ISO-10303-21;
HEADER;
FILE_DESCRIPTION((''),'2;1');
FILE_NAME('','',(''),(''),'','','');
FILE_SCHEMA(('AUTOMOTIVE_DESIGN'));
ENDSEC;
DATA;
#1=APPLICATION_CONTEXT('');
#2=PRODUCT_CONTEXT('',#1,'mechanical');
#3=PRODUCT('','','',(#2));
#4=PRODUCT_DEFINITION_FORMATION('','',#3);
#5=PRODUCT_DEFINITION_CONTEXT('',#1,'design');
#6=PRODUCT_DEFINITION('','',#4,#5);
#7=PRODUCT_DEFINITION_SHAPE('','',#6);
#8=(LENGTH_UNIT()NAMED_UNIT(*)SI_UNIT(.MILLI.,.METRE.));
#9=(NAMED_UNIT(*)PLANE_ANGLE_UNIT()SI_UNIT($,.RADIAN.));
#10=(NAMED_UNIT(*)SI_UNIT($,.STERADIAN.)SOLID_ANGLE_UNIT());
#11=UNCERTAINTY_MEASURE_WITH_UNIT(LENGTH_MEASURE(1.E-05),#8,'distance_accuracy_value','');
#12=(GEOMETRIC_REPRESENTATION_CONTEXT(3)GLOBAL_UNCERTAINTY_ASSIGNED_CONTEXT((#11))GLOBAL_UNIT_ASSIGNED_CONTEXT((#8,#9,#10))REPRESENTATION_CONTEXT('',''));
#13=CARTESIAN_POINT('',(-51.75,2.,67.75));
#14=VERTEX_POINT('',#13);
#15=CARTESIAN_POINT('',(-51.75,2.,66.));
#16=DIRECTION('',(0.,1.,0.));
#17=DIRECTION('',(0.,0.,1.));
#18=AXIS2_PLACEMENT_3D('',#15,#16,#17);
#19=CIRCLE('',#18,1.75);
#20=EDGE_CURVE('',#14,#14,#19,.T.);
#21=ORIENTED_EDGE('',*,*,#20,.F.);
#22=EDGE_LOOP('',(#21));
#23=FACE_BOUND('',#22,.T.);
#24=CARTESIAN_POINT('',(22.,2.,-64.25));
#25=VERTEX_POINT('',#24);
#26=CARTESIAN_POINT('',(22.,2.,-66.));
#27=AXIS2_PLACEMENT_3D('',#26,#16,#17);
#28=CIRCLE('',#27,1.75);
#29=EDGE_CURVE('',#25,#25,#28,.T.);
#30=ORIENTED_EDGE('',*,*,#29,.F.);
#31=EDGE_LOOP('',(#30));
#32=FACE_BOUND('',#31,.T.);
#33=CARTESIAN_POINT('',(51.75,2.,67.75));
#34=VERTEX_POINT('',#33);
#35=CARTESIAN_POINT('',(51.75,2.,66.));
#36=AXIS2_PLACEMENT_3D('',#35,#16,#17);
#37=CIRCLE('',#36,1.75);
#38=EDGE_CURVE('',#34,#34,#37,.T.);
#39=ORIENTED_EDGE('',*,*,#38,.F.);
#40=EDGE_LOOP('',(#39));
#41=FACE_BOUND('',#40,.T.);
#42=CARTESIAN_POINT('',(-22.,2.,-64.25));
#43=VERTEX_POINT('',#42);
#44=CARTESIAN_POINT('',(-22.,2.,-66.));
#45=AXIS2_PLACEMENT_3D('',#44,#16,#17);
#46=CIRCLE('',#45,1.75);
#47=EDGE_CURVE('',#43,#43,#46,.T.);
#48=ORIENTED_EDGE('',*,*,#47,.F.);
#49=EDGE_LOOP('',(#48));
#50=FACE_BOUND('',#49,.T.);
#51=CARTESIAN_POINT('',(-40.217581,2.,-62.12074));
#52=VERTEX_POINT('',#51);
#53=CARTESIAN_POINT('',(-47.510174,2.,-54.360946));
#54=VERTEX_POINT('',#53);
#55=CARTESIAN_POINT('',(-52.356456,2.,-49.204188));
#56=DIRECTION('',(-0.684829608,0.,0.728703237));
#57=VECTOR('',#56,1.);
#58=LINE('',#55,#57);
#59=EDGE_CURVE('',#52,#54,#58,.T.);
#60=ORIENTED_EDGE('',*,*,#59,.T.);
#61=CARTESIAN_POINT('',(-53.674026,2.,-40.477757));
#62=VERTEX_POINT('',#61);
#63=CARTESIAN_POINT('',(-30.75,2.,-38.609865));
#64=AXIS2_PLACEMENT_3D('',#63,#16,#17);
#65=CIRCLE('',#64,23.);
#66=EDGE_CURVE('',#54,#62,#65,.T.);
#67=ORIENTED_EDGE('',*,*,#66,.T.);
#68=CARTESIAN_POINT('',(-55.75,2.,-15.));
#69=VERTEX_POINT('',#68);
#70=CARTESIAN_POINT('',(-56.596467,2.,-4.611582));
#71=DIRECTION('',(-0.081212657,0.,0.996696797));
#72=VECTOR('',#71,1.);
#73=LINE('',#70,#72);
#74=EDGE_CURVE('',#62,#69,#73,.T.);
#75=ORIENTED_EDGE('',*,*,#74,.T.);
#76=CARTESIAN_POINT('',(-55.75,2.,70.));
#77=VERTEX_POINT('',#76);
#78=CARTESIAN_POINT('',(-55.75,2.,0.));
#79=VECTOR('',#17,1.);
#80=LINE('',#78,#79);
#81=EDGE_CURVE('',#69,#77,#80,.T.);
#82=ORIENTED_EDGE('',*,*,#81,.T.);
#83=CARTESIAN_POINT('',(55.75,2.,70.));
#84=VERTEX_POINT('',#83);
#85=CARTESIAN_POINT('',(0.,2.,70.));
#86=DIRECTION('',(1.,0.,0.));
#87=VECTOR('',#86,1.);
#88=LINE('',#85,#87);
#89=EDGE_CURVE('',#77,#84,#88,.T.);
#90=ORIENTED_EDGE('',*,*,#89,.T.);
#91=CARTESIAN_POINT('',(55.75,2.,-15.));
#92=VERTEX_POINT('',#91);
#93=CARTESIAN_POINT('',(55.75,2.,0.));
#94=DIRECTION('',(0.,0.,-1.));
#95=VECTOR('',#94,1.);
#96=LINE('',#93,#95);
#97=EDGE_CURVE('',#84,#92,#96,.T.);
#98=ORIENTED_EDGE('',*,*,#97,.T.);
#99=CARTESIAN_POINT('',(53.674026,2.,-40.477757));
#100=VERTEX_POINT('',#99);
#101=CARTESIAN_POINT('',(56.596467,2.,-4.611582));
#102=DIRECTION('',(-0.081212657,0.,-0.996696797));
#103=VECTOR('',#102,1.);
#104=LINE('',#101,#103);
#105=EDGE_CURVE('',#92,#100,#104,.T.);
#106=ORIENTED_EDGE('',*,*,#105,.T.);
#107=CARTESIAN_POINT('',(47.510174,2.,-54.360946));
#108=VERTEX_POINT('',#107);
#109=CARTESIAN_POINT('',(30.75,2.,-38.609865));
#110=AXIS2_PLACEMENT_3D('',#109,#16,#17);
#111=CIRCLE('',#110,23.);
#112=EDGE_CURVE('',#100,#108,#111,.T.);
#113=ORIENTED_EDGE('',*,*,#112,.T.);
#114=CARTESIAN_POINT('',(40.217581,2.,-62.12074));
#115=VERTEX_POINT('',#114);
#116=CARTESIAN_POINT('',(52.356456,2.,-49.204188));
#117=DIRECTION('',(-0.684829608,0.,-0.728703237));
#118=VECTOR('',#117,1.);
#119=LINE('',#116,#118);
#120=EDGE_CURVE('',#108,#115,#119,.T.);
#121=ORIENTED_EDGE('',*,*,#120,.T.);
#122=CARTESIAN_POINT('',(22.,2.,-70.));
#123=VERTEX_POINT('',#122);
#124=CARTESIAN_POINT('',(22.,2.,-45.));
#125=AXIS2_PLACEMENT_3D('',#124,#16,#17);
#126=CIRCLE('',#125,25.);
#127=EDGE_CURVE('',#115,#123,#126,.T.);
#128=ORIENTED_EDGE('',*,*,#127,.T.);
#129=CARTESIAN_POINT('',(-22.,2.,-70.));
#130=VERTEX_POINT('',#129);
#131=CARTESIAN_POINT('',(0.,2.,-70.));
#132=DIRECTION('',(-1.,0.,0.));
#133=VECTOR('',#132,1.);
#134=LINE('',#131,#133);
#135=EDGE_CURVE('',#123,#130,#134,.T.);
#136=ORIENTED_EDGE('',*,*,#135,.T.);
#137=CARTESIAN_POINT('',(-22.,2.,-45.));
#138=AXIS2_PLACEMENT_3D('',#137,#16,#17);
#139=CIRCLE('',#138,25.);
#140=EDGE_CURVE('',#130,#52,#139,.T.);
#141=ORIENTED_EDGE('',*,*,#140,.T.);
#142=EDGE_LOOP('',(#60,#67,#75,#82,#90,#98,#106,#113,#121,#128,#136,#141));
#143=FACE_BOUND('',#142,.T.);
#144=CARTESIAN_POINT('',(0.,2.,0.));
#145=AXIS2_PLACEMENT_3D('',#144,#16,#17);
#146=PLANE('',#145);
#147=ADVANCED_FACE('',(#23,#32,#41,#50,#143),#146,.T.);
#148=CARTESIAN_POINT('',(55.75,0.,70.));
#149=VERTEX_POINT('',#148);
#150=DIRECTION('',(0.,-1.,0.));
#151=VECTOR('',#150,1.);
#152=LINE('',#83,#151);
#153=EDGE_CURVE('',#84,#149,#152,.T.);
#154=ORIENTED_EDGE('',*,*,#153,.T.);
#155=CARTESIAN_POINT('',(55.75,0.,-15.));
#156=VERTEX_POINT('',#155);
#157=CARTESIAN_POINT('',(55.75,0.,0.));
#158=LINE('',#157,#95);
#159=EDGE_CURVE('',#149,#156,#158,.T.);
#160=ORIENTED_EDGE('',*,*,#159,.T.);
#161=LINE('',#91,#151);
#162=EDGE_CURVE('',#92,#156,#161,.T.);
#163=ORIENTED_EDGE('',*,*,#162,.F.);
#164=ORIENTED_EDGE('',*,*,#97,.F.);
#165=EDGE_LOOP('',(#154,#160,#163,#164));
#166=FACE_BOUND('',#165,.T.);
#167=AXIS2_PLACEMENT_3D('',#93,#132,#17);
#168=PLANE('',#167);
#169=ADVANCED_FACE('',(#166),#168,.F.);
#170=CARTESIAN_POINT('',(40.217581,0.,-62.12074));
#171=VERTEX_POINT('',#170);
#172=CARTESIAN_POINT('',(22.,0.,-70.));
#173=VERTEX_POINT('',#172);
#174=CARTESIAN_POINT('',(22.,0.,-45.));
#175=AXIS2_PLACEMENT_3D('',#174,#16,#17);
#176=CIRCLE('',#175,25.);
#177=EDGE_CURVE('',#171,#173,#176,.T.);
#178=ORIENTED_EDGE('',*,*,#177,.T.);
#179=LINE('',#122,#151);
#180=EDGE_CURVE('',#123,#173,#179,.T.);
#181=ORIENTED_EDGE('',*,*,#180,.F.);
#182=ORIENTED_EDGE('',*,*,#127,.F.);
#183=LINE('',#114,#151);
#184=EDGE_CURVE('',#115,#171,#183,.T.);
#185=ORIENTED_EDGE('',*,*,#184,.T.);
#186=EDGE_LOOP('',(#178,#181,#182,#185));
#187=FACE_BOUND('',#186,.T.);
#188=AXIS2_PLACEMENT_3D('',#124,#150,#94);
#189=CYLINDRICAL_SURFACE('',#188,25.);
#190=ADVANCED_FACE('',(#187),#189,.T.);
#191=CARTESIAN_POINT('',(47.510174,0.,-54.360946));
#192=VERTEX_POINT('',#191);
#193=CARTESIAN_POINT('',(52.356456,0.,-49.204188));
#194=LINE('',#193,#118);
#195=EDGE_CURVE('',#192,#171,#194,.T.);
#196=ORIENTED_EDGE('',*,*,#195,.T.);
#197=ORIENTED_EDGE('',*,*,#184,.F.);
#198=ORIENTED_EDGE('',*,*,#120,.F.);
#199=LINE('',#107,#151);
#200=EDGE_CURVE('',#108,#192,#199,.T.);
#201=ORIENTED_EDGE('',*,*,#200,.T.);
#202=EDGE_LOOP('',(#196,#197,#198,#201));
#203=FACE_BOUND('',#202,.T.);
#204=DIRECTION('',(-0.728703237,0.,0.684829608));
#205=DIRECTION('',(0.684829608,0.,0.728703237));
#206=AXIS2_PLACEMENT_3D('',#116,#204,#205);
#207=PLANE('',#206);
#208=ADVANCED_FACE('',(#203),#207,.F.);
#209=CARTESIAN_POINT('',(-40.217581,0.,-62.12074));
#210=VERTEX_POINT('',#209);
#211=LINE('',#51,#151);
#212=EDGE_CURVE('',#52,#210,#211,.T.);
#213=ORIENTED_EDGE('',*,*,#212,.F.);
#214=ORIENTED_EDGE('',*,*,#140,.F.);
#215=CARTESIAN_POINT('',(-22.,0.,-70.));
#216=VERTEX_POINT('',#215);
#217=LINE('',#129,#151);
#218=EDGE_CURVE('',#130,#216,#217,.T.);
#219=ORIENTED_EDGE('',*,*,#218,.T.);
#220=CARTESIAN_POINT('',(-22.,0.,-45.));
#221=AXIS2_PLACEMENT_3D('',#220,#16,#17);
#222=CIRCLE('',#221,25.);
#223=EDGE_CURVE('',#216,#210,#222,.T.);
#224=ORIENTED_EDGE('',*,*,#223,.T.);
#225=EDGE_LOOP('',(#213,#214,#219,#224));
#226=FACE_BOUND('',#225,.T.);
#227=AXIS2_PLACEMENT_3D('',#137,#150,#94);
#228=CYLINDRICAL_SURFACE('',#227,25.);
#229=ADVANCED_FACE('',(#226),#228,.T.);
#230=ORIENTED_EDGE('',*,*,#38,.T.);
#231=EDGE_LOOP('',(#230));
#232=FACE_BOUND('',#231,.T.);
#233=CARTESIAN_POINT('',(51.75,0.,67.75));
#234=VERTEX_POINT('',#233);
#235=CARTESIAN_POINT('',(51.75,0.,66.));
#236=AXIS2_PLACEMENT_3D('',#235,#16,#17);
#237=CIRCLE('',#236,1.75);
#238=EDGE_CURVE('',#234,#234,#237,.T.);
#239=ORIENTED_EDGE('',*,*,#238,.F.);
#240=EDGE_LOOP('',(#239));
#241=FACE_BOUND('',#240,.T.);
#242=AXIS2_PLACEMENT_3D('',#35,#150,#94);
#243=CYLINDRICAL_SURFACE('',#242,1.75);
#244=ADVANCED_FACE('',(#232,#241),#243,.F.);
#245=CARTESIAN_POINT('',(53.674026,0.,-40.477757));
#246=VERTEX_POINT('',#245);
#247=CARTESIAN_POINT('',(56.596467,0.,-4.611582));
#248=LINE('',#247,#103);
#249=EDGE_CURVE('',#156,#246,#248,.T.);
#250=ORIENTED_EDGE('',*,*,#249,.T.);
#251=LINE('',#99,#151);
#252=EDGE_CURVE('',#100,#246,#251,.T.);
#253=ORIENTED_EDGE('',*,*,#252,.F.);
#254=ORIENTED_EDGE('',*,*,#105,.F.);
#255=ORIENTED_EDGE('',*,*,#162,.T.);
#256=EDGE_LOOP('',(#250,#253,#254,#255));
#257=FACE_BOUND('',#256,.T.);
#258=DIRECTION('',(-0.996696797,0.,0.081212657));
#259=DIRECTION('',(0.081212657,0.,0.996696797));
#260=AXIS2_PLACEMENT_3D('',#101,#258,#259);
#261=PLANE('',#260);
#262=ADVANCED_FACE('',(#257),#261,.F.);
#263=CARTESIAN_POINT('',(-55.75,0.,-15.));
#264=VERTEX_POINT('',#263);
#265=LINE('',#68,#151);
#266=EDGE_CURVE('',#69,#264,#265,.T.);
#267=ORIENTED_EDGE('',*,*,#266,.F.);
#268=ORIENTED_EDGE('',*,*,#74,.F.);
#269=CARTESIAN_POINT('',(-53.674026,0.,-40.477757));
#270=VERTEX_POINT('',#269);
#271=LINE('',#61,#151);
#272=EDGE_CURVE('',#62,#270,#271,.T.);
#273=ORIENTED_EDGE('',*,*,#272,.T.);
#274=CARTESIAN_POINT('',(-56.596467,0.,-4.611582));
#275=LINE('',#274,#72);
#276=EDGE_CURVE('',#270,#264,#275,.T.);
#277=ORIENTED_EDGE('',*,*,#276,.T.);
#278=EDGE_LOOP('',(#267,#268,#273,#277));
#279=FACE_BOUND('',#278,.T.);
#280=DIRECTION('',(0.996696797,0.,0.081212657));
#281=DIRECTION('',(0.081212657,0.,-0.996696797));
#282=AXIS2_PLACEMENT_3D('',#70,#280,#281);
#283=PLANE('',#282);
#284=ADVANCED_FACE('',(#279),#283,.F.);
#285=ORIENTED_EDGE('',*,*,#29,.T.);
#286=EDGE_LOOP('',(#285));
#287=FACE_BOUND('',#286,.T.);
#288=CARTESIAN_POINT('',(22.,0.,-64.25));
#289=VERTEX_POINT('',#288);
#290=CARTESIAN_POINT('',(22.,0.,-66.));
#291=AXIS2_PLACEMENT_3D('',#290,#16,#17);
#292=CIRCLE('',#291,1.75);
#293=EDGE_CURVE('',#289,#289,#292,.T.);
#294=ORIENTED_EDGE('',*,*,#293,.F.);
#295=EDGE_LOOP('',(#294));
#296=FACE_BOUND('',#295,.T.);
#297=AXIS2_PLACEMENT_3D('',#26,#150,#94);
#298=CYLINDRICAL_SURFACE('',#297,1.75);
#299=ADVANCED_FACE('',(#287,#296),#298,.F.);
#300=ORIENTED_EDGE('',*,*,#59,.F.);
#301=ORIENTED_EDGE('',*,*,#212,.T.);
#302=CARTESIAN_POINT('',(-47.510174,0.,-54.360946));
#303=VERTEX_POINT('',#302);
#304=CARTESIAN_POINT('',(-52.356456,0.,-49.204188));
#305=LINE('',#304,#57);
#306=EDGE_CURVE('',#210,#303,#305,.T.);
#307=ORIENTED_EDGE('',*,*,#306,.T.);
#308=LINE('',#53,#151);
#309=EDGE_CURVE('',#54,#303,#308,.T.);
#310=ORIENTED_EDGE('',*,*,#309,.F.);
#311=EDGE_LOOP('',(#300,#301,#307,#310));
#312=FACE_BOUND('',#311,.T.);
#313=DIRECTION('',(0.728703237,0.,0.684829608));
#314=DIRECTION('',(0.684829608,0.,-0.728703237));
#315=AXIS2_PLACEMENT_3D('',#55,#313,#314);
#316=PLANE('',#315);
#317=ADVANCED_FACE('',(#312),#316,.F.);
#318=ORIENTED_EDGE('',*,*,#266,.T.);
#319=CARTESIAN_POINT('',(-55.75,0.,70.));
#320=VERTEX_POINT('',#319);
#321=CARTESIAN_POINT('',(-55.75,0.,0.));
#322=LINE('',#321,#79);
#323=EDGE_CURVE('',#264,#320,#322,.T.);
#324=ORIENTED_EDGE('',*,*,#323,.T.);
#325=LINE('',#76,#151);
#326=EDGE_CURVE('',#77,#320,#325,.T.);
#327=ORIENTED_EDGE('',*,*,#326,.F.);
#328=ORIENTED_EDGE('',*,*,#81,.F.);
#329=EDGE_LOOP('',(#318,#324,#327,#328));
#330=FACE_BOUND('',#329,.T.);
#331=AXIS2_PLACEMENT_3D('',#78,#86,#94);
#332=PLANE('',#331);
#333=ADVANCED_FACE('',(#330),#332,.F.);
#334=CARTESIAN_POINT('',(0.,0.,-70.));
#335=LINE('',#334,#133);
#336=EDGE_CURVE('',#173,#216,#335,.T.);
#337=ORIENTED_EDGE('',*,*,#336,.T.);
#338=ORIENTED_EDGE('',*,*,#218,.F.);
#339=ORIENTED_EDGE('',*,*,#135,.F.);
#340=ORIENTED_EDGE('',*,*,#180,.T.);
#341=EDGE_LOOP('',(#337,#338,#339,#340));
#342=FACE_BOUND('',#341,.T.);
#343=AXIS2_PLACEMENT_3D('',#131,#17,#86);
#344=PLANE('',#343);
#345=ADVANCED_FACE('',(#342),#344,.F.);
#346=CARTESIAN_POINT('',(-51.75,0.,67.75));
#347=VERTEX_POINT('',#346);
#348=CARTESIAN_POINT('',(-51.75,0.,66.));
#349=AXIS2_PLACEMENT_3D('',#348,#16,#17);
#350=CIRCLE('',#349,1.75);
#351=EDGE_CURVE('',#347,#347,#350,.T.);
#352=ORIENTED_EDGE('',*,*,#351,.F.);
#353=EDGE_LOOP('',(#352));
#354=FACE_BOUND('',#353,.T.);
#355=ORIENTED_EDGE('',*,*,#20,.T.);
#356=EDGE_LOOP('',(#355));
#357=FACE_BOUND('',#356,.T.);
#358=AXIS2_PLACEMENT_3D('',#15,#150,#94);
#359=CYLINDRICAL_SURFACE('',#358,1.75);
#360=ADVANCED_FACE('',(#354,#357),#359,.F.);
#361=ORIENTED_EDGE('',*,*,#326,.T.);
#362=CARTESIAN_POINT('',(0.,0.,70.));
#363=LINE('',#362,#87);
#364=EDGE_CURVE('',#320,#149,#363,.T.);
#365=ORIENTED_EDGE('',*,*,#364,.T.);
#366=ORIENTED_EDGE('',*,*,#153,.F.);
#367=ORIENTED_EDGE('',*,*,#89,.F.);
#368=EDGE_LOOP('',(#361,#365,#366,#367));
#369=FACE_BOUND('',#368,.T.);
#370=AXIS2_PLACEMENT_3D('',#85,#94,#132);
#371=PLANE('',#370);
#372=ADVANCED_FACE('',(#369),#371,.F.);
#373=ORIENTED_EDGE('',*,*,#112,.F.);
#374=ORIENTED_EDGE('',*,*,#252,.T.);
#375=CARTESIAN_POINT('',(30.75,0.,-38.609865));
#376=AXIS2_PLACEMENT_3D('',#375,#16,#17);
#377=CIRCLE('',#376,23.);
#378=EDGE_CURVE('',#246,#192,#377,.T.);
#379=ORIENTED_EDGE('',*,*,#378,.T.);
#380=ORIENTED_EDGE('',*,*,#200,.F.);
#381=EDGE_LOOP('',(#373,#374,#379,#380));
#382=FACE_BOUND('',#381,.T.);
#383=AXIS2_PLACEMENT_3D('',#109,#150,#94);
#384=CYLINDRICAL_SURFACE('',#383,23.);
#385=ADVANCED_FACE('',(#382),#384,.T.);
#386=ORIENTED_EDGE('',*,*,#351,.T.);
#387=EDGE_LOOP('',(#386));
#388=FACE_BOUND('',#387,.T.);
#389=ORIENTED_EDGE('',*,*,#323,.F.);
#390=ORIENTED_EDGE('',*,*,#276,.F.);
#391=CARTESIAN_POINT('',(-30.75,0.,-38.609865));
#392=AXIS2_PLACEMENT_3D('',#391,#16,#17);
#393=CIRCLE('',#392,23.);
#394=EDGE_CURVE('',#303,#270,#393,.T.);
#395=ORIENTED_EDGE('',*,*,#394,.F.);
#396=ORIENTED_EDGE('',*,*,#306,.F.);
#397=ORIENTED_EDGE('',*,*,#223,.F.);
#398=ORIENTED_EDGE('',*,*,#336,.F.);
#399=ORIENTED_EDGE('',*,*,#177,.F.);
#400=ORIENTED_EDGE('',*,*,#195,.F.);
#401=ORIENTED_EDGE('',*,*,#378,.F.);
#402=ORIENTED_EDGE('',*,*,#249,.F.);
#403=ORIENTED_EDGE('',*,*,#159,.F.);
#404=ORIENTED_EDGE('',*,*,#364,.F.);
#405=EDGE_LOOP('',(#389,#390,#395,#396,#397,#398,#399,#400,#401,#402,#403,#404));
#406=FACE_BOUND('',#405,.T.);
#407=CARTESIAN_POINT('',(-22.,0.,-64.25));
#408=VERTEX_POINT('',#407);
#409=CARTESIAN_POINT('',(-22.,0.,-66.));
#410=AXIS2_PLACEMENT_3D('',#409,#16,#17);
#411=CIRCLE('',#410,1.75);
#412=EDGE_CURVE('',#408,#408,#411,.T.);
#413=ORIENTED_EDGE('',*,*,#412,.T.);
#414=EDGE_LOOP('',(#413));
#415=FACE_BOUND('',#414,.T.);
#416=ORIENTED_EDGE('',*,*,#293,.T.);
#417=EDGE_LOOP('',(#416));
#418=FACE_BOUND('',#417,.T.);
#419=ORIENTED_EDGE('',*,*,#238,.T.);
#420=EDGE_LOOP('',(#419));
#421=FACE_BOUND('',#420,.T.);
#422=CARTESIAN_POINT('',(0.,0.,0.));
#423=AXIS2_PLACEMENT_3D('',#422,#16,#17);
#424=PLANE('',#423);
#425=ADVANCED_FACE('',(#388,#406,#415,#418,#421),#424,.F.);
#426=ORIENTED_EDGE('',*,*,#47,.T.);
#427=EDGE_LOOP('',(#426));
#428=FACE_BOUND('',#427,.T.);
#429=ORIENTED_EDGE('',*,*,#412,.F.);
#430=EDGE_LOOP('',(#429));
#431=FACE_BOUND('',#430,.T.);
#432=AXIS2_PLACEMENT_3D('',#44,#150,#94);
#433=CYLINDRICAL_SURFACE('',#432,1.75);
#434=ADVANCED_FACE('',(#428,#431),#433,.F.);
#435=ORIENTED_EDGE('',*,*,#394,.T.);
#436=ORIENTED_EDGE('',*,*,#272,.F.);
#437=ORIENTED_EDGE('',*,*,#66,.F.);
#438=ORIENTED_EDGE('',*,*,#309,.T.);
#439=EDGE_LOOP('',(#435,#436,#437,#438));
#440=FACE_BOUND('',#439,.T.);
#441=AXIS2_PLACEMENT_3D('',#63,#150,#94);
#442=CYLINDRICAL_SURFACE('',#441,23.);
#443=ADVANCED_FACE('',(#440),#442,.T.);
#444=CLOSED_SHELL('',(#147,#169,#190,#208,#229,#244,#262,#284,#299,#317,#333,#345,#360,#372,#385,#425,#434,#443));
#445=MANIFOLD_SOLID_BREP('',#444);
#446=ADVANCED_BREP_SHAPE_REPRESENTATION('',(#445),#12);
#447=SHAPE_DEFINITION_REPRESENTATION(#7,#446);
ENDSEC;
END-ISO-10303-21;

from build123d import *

# Parameters (mm, degrees)
ESQUISSE1_R        = 1.75
BOSS_EXTRU_1_DEPTH = 2


with BuildPart() as part:
    # Esquisse1 → Boss.-Extru.1 (new body)
    with BuildSketch(Plane(origin=(0, 0, 0), x_dir=(1, 0, 0), z_dir=(0, 1, 0))):
        with BuildLine():
            Line((55.75, -70), (55.75, 15))
            Line((55.75, 15), (53.674026321, 40.47775659))
            ThreePointArc((53.674026321, 40.47775659), (51.771291303, 47.94288813), (47.510174455, 54.360946457))
            Line((47.510174455, 54.360946457), (40.217580929, 62.120740202))
            ThreePointArc((40.217580929, 62.120740202), (31.924250474, 67.945789429), (22, 70))
            Line((22, 70), (-22, 70))
            ThreePointArc((-22, 70), (-31.924250474, 67.945789429), (-40.217580929, 62.120740202))
            Line((-40.217580929, 62.120740202), (-47.510174455, 54.360946457))
            ThreePointArc((-47.510174455, 54.360946457), (-51.771291303, 47.94288813), (-53.674026321, 40.47775659))
            Line((-53.674026321, 40.47775659), (-55.75, 15))
            Line((-55.75, 15), (-55.75, -70))
            Line((-55.75, -70), (55.75, -70))
        make_face()
        with Locations(Location((-51.75, -66, 0), (0, 0, 270))):
            Circle(ESQUISSE1_R, mode=Mode.SUBTRACT)
        with Locations(Location((51.75, -66, 0), (0, 0, 270))):
            Circle(ESQUISSE1_R, mode=Mode.SUBTRACT)
        with Locations(Location((22, 66, 0), (0, 0, 270))):
            Circle(ESQUISSE1_R, mode=Mode.SUBTRACT)
        with Locations(Location((-22, 66, 0), (0, 0, 270))):
            Circle(ESQUISSE1_R, mode=Mode.SUBTRACT)
    extrude(amount=BOSS_EXTRU_1_DEPTH)


solid = part.part
